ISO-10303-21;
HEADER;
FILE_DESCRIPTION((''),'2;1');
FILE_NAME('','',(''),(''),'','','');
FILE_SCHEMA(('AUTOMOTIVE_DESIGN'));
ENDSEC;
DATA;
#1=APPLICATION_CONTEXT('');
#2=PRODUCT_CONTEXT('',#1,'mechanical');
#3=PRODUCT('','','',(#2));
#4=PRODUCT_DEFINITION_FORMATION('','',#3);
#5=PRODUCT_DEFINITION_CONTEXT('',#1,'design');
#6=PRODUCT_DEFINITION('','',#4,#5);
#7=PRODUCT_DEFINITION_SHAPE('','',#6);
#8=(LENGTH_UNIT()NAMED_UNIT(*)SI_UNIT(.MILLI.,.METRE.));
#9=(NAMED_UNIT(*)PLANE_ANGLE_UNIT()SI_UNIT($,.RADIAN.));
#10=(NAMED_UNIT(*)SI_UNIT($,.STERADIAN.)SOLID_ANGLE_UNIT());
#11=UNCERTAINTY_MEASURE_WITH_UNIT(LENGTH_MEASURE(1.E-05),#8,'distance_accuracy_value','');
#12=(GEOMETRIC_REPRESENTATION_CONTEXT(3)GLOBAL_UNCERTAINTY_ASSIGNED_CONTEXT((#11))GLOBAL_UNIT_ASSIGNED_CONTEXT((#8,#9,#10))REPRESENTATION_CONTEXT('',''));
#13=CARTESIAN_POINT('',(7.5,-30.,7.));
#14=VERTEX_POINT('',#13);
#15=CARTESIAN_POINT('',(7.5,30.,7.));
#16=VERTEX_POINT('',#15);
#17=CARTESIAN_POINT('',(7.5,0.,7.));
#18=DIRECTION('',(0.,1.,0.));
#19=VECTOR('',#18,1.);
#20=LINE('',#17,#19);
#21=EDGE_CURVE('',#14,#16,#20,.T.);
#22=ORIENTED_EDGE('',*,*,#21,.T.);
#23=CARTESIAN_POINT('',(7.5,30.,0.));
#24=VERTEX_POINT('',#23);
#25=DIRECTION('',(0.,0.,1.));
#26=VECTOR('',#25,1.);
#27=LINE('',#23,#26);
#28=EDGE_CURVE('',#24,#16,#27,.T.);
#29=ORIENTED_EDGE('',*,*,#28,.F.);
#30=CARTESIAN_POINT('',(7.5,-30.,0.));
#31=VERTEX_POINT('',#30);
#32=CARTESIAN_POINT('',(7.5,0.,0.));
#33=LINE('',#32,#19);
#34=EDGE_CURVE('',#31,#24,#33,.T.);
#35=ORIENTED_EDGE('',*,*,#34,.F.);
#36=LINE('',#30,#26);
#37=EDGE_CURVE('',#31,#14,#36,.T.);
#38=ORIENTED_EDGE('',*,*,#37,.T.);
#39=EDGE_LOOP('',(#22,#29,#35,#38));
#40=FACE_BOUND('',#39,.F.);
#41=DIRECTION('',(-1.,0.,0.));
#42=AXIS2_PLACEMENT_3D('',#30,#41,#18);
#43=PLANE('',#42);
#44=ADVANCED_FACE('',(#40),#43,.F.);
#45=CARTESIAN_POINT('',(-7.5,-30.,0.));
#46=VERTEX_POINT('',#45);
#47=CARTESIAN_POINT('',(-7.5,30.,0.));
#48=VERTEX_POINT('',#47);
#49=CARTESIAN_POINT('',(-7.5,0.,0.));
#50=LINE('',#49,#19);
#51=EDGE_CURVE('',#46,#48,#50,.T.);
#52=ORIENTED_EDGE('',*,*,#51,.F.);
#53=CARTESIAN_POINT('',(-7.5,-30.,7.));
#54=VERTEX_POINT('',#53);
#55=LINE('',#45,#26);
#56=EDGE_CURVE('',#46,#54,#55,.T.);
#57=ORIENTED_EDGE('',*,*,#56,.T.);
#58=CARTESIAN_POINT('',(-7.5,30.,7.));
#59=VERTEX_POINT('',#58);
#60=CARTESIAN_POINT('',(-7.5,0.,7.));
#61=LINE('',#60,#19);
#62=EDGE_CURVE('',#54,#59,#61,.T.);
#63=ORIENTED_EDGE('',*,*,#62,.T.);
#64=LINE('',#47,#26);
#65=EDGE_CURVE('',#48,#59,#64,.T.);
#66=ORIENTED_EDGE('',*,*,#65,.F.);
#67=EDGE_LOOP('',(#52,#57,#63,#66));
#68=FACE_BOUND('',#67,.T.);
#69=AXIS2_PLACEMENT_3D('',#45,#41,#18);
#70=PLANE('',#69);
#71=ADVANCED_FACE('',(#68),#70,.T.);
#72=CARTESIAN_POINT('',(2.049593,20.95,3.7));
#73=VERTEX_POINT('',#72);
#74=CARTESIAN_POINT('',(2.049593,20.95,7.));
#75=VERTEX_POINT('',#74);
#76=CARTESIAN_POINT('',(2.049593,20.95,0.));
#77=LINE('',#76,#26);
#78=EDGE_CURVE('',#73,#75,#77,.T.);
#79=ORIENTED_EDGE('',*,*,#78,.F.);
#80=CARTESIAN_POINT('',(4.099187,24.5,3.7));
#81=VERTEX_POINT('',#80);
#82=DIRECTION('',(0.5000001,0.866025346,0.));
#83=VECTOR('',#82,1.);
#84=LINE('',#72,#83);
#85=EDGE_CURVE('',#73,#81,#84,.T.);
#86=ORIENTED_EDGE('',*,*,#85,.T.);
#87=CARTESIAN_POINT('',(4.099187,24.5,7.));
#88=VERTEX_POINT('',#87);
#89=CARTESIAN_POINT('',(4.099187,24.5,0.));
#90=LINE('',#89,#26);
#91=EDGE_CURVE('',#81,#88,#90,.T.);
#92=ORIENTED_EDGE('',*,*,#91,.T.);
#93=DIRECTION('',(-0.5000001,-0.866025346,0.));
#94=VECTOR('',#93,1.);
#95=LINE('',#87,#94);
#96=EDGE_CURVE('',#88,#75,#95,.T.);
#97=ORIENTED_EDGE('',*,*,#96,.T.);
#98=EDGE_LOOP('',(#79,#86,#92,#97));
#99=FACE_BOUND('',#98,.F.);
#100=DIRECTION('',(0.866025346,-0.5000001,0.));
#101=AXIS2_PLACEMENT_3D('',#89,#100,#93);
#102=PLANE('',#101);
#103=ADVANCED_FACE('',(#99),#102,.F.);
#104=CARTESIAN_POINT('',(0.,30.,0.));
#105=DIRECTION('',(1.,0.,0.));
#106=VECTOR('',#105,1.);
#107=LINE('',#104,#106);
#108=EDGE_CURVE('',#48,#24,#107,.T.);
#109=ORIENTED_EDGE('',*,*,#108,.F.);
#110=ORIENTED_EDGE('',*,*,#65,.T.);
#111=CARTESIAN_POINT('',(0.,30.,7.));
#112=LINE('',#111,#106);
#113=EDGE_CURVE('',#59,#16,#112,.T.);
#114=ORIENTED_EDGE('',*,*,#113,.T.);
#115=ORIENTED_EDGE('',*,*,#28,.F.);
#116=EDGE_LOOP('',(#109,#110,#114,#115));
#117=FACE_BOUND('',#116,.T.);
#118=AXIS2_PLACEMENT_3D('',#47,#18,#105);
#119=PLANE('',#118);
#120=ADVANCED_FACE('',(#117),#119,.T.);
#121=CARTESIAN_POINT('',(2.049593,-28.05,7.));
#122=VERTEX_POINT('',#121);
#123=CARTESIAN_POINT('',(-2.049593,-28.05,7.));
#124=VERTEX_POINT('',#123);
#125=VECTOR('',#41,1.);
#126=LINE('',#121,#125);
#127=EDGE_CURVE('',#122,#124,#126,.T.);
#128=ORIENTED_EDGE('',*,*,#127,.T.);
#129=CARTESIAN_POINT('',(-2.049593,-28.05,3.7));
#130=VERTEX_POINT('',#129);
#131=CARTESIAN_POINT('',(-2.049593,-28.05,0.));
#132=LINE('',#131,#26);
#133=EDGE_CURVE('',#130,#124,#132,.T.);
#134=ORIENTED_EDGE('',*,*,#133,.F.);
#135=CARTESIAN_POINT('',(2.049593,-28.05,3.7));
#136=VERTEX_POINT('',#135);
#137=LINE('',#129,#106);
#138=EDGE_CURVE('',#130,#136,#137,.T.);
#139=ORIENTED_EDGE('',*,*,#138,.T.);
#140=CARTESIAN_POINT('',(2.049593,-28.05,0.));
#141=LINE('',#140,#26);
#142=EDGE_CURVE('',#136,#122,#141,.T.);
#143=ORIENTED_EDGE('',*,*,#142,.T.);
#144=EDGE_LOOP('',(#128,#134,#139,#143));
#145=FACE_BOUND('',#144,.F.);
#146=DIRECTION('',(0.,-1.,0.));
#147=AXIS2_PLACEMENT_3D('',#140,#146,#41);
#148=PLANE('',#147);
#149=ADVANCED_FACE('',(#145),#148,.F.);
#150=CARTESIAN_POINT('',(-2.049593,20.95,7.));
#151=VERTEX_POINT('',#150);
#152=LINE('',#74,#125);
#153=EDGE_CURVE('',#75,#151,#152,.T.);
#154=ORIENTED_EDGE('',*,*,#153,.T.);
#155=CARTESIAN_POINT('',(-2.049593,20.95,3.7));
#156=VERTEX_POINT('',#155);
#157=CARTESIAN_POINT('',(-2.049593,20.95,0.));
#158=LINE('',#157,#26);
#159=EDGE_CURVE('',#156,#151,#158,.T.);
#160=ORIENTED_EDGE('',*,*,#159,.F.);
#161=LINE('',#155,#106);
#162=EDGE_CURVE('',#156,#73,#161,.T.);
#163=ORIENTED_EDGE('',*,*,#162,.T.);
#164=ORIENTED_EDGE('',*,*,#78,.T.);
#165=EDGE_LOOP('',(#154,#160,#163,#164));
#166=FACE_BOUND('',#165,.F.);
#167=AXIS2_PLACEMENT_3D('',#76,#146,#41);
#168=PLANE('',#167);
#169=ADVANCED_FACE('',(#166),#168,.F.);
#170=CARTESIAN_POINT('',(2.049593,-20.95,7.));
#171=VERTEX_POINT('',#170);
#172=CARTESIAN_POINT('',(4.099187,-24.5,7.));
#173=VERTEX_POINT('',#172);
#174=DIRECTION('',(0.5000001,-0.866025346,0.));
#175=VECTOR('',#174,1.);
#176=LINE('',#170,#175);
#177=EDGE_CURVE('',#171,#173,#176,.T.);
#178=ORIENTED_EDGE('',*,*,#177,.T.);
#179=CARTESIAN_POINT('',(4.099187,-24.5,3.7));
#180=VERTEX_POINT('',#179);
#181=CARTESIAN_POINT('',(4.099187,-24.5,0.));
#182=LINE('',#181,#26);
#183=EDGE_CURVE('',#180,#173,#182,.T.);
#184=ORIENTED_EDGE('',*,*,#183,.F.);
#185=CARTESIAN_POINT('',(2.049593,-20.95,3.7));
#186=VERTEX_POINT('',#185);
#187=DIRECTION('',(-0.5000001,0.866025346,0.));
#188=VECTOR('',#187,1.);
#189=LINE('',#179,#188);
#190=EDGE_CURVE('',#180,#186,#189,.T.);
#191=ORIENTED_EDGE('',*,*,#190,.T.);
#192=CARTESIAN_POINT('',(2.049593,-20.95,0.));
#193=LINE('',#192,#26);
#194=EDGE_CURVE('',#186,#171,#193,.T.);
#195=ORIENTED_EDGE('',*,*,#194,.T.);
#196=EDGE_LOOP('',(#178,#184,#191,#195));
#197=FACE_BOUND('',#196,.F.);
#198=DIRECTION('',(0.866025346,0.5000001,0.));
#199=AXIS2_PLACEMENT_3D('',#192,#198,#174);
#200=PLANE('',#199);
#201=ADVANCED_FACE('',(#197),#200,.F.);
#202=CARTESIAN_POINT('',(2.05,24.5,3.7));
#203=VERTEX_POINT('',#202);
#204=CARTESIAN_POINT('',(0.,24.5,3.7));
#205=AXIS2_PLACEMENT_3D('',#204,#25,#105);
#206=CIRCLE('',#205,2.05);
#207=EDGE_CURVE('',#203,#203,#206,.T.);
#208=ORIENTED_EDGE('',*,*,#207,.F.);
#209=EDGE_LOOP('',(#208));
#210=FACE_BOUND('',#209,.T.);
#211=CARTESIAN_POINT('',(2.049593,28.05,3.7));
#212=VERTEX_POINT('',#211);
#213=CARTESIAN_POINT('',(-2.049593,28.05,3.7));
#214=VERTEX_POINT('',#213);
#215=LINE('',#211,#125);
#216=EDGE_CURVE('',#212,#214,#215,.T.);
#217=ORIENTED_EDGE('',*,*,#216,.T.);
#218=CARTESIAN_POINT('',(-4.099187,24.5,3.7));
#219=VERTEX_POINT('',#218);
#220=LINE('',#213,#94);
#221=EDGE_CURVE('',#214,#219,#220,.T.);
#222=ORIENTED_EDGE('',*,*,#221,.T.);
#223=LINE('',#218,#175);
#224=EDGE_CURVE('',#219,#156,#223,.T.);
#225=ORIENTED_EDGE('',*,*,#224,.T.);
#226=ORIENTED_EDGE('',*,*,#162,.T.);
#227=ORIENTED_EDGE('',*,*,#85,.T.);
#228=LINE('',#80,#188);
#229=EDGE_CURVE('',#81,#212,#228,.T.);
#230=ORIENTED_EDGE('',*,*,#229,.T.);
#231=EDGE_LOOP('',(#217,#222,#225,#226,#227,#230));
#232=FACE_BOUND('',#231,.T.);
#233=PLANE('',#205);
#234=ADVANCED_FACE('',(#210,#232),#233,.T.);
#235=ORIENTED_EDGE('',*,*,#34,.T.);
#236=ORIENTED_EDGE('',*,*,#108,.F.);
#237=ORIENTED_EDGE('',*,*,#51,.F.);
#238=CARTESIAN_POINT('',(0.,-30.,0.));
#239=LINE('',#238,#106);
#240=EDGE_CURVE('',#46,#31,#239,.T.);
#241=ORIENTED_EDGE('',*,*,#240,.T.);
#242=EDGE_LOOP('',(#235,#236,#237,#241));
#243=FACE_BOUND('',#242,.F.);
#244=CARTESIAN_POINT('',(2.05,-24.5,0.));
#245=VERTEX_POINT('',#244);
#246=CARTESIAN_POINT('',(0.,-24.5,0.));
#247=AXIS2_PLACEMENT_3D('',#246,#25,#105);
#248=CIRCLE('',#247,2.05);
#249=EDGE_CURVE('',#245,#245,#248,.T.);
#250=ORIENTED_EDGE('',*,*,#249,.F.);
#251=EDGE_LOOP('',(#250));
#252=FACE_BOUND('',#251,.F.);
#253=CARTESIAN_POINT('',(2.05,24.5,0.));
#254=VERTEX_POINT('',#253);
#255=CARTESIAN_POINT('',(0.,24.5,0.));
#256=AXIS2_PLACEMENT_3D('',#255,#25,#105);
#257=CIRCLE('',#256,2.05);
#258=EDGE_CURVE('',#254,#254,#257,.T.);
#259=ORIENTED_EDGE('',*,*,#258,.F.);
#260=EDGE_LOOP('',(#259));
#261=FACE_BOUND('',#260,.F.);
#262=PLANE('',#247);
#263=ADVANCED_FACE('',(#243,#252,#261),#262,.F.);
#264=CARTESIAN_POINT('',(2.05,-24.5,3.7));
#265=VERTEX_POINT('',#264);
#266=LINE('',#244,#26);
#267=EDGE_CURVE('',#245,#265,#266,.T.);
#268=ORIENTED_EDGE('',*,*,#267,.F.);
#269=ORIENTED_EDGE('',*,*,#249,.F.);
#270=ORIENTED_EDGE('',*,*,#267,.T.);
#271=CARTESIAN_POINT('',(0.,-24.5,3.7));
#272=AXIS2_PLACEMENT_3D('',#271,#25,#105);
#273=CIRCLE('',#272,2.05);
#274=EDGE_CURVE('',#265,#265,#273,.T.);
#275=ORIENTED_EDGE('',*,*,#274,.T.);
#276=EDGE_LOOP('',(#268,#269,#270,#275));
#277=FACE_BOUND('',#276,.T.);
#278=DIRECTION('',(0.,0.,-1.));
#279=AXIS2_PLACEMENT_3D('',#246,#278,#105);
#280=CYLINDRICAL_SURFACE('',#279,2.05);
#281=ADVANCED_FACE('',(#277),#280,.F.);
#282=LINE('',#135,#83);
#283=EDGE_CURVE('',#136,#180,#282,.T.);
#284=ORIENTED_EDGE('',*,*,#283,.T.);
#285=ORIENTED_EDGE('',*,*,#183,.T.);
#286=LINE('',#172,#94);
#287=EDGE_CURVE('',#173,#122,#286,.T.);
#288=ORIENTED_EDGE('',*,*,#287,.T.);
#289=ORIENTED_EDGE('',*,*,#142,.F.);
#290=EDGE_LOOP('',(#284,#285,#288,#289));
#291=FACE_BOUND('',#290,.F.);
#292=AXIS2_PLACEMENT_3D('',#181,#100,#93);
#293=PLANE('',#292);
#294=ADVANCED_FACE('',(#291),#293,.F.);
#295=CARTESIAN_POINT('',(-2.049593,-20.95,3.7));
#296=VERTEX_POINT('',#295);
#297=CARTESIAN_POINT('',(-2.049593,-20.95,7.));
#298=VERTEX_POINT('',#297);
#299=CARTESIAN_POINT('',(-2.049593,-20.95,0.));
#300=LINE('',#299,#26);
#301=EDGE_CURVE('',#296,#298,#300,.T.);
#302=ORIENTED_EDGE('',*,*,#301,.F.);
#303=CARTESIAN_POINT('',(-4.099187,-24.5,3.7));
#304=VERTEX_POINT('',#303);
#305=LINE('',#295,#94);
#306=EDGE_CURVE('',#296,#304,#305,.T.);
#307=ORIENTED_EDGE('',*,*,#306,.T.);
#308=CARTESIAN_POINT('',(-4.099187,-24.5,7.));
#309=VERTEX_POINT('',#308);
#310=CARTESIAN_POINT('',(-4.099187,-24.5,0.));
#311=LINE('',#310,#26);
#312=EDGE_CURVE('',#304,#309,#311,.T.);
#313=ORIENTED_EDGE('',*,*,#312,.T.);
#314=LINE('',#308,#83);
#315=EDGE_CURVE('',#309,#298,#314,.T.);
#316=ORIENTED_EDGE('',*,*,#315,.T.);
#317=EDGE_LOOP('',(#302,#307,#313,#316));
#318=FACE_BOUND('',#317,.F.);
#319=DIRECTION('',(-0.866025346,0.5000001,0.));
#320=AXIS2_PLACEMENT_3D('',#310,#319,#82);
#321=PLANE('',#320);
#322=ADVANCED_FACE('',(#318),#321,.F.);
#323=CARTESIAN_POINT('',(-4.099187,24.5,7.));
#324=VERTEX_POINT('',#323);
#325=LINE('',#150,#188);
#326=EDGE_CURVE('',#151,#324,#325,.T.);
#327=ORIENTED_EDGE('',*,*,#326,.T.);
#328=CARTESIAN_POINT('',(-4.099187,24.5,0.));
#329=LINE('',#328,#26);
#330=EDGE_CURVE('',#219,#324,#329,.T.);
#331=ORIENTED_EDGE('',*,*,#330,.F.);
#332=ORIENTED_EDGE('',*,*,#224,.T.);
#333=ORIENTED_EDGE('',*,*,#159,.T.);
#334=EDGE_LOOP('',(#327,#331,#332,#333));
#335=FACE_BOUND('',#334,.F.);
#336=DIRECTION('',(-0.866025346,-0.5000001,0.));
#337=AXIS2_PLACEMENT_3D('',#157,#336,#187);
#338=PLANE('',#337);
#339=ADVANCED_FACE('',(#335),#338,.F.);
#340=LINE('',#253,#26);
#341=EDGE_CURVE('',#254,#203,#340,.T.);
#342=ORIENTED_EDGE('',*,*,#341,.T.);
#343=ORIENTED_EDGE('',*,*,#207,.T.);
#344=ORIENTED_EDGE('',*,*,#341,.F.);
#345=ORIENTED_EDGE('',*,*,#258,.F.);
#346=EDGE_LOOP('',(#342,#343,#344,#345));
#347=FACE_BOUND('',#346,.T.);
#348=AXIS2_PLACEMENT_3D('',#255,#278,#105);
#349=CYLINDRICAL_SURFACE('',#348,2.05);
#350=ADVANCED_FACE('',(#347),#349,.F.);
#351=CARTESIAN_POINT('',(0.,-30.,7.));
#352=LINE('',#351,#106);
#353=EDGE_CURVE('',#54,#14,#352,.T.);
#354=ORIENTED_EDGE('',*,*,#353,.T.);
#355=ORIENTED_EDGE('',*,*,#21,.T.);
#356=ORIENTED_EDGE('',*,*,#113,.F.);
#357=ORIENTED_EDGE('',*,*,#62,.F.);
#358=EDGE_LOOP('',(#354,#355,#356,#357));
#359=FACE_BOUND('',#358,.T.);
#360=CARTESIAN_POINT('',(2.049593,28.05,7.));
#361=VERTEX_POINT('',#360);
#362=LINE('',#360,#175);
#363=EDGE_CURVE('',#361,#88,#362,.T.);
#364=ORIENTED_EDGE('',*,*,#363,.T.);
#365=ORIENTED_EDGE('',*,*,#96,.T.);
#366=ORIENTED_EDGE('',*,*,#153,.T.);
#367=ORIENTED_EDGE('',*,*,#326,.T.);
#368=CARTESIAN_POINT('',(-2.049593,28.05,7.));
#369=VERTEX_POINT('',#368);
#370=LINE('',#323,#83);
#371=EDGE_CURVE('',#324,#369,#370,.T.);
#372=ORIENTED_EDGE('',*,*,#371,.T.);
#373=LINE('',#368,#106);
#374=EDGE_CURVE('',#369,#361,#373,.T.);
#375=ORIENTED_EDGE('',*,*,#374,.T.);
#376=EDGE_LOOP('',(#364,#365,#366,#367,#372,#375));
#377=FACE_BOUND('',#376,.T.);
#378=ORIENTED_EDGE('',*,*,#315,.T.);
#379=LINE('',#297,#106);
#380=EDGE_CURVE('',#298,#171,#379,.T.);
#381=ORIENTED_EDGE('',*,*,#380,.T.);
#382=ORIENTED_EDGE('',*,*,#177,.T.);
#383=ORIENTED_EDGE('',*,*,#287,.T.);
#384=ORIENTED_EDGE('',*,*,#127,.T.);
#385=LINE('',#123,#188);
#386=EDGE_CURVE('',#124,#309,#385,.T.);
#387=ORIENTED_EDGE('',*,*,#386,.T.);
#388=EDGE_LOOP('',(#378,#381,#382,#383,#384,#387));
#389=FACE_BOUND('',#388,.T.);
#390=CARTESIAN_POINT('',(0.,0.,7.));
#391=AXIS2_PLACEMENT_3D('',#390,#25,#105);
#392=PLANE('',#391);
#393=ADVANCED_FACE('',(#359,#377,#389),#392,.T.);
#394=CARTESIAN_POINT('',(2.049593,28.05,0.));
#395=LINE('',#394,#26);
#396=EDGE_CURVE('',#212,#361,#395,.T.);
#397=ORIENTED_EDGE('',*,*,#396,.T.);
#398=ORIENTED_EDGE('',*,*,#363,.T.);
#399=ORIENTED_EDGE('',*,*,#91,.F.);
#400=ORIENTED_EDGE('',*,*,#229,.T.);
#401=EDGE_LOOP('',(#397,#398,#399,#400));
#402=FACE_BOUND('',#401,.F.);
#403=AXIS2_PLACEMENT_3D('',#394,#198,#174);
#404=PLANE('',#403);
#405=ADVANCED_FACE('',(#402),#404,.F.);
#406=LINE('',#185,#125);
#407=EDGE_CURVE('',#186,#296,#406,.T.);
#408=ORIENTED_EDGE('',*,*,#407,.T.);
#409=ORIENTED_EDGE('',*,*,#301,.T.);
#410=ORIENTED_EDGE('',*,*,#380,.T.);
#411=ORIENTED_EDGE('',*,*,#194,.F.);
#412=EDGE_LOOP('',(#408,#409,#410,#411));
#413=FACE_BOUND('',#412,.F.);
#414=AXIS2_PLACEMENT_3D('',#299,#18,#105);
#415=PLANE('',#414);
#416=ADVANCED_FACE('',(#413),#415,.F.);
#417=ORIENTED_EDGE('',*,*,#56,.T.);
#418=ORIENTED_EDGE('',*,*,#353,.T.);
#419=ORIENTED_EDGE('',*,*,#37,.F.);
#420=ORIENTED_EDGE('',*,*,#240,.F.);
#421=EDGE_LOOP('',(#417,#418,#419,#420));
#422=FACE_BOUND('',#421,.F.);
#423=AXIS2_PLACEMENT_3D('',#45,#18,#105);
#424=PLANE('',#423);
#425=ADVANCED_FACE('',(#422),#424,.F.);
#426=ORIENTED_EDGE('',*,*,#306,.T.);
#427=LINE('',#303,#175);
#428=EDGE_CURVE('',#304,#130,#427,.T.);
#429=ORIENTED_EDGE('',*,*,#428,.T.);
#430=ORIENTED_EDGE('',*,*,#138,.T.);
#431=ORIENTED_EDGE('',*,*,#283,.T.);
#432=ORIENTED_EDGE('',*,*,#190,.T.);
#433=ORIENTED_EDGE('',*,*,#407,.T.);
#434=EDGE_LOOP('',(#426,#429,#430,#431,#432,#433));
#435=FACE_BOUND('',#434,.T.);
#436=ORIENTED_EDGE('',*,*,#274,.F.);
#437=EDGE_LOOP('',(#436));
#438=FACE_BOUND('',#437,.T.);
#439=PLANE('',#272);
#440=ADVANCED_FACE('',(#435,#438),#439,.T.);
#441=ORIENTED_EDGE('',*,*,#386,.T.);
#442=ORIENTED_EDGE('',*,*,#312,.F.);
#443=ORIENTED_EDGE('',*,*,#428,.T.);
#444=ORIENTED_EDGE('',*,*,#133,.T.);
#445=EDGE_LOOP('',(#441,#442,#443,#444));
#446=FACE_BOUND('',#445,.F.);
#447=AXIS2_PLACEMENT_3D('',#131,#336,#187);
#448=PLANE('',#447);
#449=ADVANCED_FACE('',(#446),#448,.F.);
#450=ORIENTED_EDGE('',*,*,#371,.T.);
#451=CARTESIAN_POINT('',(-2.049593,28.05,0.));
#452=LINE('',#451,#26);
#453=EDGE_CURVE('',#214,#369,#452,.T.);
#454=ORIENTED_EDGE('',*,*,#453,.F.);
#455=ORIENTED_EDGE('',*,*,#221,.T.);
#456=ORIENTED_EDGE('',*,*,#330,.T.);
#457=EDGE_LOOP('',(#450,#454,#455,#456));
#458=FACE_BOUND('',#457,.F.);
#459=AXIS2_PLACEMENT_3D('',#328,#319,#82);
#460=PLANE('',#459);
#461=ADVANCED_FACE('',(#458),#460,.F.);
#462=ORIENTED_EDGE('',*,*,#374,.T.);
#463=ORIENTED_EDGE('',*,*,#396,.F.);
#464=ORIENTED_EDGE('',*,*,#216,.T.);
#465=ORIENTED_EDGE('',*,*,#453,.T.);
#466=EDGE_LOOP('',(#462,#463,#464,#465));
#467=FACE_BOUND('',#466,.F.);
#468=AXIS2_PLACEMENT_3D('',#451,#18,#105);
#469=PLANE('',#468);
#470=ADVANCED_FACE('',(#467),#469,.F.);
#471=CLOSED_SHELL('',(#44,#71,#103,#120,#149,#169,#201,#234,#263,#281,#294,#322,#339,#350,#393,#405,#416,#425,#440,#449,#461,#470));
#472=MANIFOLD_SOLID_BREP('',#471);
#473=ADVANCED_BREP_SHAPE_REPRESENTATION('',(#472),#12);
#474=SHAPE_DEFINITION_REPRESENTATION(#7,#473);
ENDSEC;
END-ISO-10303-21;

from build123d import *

# Parameters (mm, degrees)
F0_W     = 15
F0_H     = 60
F1_DEPTH = 7
F0_R     = 2.05
F2_DEPTH = 3.7


with BuildPart() as f1:
    # F0 (on Top) → F1 (new body)
    with BuildSketch(Plane.XY):
        Rectangle(F0_W, F0_H)
        Polygon((-2.049593, -20.95), (2.049593, -20.95), (4.099187, -24.5), (2.049593, -28.05), (-2.049593, -28.05), (-4.099187, -24.5), align=None, mode=Mode.SUBTRACT)
        Polygon((4.099187, 24.5), (2.049593, 20.95), (-2.049593, 20.95), (-4.099187, 24.5), (-2.049593, 28.05), (2.049593, 28.05), align=None, mode=Mode.SUBTRACT)
    extrude(amount=F1_DEPTH)

    # F0 (on Top) → F2 (join)
    with BuildSketch(Plane.XY):
        Polygon((4.099187, -24.5), (2.049593, -20.95), (-2.049593, -20.95), (-4.099187, -24.5), (-2.049593, -28.05), (2.049593, -28.05), align=None)
        with Locations((0, -24.5)):
            Circle(F0_R, mode=Mode.SUBTRACT)
        Polygon((-2.049593, 20.95), (2.049593, 20.95), (4.099187, 24.5), (2.049593, 28.05), (-2.049593, 28.05), (-4.099187, 24.5), align=None)
        with Locations((0, 24.5)):
            Circle(F0_R, mode=Mode.SUBTRACT)
    extrude(amount=F2_DEPTH)


solid = f1.part
